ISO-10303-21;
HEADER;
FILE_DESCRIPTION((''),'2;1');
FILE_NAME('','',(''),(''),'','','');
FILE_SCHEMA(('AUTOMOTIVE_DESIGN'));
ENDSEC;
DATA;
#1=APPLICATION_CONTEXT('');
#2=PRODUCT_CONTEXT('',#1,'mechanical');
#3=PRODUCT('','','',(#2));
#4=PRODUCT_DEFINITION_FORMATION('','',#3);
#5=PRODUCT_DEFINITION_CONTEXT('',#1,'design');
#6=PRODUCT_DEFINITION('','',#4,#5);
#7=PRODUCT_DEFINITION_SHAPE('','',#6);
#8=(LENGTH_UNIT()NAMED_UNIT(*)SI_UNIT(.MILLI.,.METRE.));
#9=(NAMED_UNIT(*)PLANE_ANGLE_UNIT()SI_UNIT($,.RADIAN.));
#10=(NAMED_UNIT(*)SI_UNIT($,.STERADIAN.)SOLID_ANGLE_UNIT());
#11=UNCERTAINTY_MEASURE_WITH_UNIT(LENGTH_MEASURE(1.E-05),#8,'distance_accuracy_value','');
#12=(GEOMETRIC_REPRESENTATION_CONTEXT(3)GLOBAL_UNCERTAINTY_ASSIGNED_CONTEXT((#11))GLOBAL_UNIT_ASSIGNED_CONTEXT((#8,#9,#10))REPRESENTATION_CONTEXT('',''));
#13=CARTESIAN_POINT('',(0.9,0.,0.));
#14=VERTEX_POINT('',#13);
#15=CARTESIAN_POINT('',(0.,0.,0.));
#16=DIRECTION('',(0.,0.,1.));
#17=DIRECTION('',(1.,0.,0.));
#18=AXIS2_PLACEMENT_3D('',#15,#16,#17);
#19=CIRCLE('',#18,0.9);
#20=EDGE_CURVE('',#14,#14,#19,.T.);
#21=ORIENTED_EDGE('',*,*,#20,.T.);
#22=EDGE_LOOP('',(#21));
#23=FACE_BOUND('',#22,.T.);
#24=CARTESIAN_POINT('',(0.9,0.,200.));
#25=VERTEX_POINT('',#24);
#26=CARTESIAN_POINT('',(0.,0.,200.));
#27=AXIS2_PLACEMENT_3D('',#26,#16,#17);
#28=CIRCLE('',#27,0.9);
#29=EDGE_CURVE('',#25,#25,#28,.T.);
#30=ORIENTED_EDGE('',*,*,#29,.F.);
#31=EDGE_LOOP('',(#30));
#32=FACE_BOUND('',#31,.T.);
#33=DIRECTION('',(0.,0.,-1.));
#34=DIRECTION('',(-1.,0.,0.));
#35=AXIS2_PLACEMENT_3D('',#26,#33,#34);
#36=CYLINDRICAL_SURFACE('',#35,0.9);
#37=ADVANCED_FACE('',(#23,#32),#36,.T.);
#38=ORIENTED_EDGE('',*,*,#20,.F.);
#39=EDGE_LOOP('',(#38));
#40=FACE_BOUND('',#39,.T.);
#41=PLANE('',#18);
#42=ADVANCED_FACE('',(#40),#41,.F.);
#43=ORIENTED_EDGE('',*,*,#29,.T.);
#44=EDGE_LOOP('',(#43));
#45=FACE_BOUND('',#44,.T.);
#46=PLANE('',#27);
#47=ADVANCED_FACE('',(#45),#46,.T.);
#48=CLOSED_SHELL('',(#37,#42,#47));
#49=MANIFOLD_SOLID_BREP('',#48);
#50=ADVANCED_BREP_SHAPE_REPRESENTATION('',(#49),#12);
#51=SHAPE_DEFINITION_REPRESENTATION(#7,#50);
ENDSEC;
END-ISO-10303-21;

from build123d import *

# Parameters (mm, degrees)
ESQUISSE1_R        = 0.9
BOSS_EXTRU_1_DEPTH = 200


with BuildPart() as part:
    # Esquisse1 → Boss.-Extru.1 (new body)
    with BuildSketch(Plane.XY):
        Circle(ESQUISSE1_R)
    extrude(amount=BOSS_EXTRU_1_DEPTH)


solid = part.part
